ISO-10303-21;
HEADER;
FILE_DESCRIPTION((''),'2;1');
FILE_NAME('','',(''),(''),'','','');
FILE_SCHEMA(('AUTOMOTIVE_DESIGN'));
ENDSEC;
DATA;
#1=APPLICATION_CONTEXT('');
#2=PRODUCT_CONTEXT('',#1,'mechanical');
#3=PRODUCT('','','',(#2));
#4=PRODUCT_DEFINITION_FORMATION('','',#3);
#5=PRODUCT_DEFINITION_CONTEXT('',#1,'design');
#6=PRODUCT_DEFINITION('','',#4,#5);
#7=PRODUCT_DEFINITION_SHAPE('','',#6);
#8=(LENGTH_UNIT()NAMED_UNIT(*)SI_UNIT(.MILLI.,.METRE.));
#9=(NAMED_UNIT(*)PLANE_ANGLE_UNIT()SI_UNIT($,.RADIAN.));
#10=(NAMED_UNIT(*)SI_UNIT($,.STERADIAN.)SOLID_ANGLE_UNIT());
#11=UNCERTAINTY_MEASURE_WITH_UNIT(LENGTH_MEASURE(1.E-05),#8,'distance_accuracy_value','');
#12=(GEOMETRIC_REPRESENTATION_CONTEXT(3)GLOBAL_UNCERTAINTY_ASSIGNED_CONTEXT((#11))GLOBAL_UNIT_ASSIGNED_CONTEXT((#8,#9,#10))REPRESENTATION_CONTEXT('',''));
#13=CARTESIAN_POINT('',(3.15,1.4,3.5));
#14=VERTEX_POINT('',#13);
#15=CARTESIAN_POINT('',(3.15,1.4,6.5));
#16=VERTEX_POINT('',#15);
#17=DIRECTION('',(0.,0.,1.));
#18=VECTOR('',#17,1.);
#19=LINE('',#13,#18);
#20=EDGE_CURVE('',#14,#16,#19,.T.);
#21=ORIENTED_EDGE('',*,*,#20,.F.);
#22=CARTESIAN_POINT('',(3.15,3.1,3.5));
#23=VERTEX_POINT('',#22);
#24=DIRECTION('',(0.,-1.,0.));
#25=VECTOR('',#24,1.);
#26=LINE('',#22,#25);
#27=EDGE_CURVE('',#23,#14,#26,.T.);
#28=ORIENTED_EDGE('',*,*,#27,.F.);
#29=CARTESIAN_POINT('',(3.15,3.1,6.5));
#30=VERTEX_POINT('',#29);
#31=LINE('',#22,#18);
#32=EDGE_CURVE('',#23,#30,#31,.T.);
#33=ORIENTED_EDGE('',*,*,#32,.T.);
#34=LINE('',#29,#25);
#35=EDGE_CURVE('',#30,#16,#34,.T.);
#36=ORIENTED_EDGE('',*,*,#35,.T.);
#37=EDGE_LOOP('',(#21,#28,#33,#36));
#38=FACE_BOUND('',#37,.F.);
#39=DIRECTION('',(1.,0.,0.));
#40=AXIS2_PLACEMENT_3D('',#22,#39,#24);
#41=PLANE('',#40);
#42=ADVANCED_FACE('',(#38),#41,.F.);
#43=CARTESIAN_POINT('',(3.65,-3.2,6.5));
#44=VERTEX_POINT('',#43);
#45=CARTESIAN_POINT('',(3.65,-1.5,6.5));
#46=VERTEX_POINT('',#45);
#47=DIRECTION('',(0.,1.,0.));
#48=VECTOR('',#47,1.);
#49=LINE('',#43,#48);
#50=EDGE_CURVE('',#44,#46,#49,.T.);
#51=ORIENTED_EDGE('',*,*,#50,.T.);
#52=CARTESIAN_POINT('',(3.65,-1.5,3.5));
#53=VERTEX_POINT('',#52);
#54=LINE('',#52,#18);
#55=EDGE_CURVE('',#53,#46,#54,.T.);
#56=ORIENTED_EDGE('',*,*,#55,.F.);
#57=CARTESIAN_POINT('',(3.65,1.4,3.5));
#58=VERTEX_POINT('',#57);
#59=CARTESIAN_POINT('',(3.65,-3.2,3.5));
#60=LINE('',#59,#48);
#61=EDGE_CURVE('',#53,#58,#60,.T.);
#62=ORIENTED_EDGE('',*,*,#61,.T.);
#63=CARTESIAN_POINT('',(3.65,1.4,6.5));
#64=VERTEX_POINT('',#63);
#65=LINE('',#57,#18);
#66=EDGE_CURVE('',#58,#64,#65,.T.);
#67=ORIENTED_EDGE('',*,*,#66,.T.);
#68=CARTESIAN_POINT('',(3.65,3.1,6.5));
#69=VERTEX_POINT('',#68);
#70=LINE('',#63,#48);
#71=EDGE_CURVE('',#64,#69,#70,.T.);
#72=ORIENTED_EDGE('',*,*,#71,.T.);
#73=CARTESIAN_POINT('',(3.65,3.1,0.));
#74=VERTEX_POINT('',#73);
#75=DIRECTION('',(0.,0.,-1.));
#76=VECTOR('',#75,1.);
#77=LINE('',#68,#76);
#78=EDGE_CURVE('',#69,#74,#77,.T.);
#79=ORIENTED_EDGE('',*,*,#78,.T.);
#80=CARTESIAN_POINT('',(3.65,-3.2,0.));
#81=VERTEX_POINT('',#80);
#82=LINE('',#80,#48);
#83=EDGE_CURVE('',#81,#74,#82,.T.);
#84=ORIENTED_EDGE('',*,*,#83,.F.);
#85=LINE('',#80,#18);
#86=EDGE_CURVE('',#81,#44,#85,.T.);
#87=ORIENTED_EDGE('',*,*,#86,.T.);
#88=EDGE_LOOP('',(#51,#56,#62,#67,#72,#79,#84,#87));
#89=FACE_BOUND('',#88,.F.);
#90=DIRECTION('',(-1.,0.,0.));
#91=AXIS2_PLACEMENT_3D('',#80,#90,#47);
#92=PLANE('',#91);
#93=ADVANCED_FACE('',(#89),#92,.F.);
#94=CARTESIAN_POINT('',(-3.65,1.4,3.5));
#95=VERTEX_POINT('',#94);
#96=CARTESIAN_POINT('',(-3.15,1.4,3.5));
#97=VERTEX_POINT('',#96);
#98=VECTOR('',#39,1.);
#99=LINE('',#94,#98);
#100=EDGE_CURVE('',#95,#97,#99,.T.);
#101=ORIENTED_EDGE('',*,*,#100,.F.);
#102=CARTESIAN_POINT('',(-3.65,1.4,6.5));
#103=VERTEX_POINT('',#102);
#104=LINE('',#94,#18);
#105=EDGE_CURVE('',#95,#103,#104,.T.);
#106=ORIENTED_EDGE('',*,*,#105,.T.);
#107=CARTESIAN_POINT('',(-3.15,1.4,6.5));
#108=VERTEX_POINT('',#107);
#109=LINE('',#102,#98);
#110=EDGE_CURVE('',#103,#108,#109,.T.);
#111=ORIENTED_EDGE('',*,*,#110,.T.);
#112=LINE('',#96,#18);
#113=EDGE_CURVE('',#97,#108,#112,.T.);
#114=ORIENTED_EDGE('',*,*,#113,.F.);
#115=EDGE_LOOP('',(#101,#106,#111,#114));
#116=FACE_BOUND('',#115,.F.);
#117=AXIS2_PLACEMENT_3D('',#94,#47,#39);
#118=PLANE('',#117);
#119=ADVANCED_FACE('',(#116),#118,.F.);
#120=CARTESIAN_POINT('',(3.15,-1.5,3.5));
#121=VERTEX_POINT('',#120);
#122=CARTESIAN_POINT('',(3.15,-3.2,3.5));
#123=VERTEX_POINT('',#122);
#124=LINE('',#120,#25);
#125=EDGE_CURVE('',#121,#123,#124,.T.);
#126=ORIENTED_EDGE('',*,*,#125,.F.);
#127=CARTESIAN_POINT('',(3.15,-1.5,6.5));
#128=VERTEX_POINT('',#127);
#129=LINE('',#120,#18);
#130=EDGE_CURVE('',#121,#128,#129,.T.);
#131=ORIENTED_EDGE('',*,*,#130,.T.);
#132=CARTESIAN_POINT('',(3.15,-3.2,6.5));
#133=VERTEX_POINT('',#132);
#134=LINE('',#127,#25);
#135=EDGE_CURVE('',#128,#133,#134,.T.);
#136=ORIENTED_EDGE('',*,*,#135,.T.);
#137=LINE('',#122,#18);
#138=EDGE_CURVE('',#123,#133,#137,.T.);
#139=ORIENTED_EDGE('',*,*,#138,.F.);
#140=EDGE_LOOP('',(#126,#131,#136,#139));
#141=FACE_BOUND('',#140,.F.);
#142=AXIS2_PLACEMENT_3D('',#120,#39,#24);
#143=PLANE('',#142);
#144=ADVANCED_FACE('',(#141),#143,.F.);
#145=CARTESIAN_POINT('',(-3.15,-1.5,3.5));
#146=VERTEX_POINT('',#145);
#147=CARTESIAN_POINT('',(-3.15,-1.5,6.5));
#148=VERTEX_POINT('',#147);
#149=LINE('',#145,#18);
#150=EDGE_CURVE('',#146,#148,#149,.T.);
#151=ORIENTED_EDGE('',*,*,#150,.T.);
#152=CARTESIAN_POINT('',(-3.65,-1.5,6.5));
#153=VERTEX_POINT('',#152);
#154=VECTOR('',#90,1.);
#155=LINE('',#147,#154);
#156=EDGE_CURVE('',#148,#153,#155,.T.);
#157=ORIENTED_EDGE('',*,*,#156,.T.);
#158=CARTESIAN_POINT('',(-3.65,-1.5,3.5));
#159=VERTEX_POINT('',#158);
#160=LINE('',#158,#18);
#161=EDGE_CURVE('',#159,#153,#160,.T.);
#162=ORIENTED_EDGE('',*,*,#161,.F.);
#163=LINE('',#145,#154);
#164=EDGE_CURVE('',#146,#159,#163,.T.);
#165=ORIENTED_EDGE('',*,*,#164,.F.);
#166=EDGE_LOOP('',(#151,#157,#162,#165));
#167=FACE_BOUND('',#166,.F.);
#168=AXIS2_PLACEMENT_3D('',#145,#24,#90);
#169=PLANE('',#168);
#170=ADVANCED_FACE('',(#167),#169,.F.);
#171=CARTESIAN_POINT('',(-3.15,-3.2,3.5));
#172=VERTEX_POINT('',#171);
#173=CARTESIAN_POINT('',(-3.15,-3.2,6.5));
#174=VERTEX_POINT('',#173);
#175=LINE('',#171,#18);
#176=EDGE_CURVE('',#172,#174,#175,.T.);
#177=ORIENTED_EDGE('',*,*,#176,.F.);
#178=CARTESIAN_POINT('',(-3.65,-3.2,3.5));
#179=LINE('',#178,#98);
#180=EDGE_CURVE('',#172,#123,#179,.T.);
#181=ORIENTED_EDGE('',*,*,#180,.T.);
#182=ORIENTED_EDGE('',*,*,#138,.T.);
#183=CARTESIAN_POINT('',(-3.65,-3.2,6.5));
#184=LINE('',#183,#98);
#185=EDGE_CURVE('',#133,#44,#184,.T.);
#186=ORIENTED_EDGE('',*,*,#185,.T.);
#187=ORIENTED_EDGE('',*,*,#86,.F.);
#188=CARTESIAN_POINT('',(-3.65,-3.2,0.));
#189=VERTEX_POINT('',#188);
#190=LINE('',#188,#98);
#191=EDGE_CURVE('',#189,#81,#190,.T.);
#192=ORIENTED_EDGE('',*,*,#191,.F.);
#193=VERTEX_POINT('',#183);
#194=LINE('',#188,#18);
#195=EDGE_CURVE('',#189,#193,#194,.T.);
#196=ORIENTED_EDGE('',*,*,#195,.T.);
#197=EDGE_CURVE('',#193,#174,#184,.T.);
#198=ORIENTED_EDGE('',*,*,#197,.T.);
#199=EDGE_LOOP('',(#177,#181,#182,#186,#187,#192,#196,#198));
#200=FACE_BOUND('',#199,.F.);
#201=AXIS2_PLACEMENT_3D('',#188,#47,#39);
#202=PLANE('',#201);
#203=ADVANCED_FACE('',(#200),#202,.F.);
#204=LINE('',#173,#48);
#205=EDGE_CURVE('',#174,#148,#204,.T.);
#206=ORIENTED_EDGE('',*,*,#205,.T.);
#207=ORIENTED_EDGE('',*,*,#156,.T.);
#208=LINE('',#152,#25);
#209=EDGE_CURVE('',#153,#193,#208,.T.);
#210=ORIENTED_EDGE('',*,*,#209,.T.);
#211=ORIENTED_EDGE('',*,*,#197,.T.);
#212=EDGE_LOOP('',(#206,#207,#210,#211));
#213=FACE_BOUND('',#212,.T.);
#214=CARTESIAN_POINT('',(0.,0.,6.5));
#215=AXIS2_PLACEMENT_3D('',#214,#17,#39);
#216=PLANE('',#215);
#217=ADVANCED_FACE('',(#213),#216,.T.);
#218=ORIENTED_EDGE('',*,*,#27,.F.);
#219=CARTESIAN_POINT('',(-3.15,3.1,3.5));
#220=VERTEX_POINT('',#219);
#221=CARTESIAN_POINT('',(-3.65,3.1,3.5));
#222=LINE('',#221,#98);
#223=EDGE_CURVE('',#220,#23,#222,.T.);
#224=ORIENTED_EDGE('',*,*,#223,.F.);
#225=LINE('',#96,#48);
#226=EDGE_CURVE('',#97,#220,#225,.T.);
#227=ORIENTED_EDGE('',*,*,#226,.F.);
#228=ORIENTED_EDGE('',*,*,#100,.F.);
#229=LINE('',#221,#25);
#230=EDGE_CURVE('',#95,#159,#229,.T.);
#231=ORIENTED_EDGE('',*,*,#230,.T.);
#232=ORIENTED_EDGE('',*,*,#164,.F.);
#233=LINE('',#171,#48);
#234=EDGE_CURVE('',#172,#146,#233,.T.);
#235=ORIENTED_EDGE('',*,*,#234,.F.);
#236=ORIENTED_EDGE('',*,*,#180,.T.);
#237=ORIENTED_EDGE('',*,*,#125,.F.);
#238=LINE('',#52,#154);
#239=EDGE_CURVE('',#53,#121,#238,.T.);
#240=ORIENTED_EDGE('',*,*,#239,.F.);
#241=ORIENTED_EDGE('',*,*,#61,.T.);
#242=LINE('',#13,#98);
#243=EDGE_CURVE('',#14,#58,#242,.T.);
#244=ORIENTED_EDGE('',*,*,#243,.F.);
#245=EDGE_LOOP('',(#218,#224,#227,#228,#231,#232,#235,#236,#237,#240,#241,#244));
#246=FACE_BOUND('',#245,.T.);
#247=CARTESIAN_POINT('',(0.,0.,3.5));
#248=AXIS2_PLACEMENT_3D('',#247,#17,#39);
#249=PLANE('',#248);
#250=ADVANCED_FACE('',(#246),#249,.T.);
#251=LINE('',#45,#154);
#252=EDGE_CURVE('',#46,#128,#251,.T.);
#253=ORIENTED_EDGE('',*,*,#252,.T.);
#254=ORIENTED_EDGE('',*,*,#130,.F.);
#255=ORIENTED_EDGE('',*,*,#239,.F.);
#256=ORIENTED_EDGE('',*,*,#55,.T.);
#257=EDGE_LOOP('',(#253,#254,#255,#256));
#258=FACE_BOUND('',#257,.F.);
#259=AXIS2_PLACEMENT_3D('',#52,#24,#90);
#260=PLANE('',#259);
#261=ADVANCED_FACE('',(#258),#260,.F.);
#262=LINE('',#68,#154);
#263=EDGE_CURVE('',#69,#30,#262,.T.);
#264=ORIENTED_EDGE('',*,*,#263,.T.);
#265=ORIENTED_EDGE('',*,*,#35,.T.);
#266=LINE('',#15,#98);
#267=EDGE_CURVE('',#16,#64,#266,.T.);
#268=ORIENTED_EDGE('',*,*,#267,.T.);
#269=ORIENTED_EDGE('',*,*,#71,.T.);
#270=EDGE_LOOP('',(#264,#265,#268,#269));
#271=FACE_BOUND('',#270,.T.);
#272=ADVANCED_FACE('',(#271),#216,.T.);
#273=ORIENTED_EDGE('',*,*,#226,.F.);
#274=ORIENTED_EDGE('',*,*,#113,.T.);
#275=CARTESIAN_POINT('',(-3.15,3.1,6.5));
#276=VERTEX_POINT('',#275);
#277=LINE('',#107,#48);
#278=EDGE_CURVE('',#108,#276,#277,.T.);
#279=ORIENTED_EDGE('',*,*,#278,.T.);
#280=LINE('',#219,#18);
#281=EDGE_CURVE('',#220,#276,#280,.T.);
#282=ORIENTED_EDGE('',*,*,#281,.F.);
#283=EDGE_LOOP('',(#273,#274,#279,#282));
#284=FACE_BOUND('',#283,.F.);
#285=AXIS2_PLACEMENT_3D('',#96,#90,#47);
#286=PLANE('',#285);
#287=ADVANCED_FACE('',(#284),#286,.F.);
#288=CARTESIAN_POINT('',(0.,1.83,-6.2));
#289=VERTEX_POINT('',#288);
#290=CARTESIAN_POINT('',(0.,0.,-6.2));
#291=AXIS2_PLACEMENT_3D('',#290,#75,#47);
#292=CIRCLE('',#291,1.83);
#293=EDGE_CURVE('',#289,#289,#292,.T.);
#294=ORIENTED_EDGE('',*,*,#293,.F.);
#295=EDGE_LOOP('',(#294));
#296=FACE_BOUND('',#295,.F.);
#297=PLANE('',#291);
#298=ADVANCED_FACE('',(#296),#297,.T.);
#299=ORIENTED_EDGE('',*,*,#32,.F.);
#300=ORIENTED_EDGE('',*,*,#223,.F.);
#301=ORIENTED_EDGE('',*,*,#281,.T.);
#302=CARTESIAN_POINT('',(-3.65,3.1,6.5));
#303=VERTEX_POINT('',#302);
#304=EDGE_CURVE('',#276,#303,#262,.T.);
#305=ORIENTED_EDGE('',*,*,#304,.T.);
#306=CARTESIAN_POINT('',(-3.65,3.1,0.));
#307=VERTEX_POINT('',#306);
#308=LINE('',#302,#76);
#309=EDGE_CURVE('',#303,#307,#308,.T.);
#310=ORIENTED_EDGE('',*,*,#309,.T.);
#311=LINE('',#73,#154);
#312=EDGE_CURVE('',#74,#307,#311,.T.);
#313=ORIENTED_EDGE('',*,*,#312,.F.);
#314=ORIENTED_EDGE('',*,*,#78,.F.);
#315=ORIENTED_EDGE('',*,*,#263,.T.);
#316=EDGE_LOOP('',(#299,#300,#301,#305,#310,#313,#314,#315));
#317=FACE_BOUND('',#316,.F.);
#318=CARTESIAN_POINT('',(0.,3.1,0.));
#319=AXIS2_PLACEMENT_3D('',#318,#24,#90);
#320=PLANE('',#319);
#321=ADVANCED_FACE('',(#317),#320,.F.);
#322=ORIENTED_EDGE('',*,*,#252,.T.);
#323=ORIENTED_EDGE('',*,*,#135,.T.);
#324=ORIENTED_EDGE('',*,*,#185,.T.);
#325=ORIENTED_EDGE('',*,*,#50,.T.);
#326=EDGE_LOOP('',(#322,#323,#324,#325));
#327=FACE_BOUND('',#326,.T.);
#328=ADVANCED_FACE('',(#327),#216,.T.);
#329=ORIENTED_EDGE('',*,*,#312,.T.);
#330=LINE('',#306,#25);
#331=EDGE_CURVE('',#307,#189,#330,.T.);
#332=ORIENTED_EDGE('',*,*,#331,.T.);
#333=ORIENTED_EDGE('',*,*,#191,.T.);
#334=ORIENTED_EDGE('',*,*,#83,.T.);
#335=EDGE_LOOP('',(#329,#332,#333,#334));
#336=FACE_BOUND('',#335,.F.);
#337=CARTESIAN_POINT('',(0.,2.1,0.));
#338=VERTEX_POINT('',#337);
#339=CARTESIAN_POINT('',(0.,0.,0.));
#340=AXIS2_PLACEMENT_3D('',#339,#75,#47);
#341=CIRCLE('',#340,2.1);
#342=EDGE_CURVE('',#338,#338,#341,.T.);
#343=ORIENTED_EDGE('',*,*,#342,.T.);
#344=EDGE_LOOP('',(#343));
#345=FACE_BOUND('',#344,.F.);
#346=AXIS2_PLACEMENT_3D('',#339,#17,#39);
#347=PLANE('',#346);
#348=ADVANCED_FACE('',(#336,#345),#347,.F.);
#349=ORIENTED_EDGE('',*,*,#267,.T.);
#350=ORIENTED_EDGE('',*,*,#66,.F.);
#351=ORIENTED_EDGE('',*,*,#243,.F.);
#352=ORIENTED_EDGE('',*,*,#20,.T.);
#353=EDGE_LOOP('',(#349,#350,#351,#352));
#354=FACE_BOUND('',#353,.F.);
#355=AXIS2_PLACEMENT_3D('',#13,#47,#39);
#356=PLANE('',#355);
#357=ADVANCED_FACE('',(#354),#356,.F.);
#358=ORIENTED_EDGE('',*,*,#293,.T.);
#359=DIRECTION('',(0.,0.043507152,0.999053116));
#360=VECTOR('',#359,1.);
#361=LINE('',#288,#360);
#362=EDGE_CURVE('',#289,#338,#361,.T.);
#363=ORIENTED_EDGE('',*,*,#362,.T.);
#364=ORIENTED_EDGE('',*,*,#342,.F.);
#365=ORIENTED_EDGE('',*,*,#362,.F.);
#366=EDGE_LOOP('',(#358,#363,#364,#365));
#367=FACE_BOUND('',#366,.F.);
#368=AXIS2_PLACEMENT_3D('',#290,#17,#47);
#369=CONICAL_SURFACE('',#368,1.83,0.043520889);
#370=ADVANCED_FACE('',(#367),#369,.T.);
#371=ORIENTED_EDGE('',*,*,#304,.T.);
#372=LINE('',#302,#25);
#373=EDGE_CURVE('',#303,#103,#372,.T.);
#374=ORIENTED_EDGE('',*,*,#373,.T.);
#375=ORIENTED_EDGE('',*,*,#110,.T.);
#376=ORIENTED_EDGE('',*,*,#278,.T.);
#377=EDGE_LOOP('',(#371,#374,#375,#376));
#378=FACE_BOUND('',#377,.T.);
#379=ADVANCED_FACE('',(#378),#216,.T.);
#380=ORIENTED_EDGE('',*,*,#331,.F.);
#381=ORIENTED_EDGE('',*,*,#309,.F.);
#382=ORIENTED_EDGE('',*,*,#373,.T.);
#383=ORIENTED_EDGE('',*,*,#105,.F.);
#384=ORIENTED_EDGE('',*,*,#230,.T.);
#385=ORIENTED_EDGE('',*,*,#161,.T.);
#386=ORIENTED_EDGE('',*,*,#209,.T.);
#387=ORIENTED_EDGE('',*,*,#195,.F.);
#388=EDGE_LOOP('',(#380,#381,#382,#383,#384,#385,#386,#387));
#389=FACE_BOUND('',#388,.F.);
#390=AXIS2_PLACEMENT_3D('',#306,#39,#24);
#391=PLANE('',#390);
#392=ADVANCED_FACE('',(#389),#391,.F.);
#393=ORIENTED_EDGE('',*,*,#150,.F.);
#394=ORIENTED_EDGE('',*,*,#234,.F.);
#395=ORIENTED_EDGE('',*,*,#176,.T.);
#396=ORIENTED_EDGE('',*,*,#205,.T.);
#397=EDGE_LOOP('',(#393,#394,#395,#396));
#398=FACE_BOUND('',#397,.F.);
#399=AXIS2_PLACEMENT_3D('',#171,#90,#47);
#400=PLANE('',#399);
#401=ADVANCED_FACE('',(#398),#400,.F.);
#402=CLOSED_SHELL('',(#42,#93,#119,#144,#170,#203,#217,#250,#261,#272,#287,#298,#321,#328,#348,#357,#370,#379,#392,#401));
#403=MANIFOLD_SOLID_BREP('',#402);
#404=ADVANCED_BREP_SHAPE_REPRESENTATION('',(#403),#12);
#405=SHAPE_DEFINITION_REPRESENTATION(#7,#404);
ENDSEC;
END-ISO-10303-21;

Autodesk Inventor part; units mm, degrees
ref_plane "YZ Plane" through (0, 0, 0) normal (1, 0, 0) x (0, 1, 0)
ref_plane "XZ Plane" through (0, 0, 0) normal (0, 1, 0) x (-1, 0, 0)
ref_plane "XY Plane" through (0, 0, 0) normal (0, 0, 1) x (1, 0, 0)
sketch "Esboço1" plane through (0, 0, 0) normal (0, 0, 1) x (1, 0, 0)
  line L0 (-3.65, -3.2) -> (3.65, -3.2)
  line L1 (3.65, -3.2) -> (3.65, 3.1)
  line L2 (3.65, 3.1) -> (-3.65, 3.1)
  line L3 (-3.65, 3.1) -> (-3.65, -3.2)
  line L4 (0, 3.1) -> (0, 0)
  dimension "d0" = 7.3
  dimension "d1" = 6.3
extrude "Extrusão1" add sketch "Esboço1" along normal blind 3.5
sketch "Esboço2" plane through (0, 0, 0) normal (1, 0, 0) x (0, 1, 0)
  line L0 (0, 0) -> (0, -6.2)
  line L1 (0, 0) -> (2.1, 0)
  line L2 (-3.2, 0) -> (3.1, 0) projected
  line L3 (0, -6.2) -> (1.83, -6.2)
  line L4 (1.83, -6.2) -> (2.1, 0)
  dimension "d4" = 6.2
  dimension "d5" = 2.1
  dimension "d6" = 1.83
revolve "Revolução1" add sketch "Esboço2" angle 360 about axis through (0, 0, 0) along (0, 0, -1)
sketch "Esboço3" plane through (0, 0, 3.5) normal (0, 0, 1) x (1, 0, 0)
  line L0 (3.65, 3.1) -> (-3.65, 3.1) projected
  line L1 (3.65, 3.1) -> (3.15, 3.1)
  line L2 (3.15, 3.1) -> (3.15, 1.4)
  line L3 (3.15, 1.4) -> (3.65, 1.4)
  line L4 (3.65, 1.4) -> (3.65, 3.1)
  line L5 (-3.65, -3.2) -> (3.65, -3.2) projected
  line L6 (3.65, -1.5) -> (3.15, -1.5)
  line L7 (3.15, -1.5) -> (3.15, -3.2)
  line L8 (3.15, -3.2) -> (3.65, -3.2)
  line L9 (3.65, -3.2) -> (3.65, -1.5)
  line L10 (-3.15, -1.5) -> (-3.65, -1.5)
  line L11 (-3.65, -1.5) -> (-3.65, -3.2)
  line L12 (-3.65, -3.2) -> (-3.15, -3.2)
  line L13 (-3.15, -3.2) -> (-3.15, -1.5)
  line L14 (-3.65, 3.1) -> (-3.65, -3.2) projected
  line L15 (-3.65, 3.1) -> (-6.7444, 5.2741)
  line L16 (-3.15, 3.1) -> (-3.65, 3.1)
  line L17 (-3.65, 3.1) -> (-3.65, 1.4)
  line L18 (-3.65, 1.4) -> (-3.15, 1.4)
  line L19 (-3.15, 1.4) -> (-3.15, 3.1)
  line L20 (3.65, 3.1) -> (5.0024, 4.4542)
  line L21 (3.65, -3.2) -> (6.7193, -5.088)
  line L22 (-3.65, -3.2) -> (-6.2831, -4.7356)
  point P0 (0, 0)
  point P1 (-3.15, -3.2)
  point P2 (-3.65, 1.4)
  dimension "d8" = 0.5
  dimension "d9" = 1.7
  dimension "d10" = 0.5
  dimension "d11" = 1.7
  dimension "d14" = 0.5
  dimension "d15" = 1.7
  dimension "d19" = 0.5
  dimension "d20" = 1.7
extrude "Extrusão2" add sketch "Esboço3" along normal blind 3
properties part number "pushbottom3.5mm"
